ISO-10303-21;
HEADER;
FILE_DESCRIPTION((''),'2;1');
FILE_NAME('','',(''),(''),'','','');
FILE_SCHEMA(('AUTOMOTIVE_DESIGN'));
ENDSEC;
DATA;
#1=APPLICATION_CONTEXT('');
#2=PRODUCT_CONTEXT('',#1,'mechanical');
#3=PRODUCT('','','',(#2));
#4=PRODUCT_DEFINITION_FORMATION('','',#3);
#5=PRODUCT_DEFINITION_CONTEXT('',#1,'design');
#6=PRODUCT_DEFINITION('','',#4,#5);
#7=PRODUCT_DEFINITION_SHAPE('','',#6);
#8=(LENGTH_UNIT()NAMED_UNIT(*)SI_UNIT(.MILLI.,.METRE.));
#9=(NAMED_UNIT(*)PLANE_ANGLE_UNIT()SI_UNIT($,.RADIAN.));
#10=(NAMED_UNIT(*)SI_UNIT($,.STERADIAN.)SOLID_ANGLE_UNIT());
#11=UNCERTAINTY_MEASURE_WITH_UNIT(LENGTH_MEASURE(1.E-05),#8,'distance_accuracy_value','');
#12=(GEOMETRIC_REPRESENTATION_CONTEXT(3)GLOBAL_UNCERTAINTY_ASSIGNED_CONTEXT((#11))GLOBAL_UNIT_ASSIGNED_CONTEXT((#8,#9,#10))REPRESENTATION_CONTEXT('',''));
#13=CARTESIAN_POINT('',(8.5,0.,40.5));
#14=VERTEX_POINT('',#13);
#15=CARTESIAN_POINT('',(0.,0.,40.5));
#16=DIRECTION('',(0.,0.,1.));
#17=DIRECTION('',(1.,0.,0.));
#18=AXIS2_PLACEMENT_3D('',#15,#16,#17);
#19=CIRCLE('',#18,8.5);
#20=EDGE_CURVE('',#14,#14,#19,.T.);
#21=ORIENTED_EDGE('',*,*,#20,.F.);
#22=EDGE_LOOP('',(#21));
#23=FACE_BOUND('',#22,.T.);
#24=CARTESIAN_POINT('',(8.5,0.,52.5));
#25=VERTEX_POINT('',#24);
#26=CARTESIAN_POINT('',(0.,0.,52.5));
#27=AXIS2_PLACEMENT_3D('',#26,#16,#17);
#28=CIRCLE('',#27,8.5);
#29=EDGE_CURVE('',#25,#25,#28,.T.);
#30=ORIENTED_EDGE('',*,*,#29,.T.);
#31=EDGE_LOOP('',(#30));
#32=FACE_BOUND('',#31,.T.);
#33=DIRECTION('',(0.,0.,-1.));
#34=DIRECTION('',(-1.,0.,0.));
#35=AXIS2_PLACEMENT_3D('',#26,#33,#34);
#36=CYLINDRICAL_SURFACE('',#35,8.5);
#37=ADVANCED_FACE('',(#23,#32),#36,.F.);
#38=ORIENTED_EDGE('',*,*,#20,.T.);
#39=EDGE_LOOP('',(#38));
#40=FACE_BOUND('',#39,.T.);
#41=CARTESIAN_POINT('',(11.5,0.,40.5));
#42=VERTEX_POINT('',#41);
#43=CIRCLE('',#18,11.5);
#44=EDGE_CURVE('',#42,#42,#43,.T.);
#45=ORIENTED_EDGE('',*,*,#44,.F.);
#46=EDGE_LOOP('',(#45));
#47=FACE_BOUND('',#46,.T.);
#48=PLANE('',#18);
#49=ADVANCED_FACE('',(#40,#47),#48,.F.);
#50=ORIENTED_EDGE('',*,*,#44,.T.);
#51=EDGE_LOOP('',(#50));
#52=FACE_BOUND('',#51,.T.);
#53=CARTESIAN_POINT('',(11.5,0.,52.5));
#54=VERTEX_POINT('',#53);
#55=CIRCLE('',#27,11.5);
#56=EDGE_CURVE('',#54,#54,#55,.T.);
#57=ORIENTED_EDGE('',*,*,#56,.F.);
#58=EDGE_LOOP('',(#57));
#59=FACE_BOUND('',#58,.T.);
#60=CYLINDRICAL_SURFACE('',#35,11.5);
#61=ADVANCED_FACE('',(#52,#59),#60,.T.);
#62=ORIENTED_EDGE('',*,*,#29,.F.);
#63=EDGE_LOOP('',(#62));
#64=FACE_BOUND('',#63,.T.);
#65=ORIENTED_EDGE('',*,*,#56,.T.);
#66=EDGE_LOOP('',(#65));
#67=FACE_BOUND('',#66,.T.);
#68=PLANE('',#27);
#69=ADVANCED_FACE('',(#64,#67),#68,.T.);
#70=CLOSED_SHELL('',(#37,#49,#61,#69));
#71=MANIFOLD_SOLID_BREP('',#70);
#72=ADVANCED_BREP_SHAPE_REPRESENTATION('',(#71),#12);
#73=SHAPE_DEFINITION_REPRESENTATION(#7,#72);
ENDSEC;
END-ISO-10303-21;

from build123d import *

# Parameters (mm, degrees)
NEEDLE_BEARING_START = 40.5
SKETCH_1_R           = 11.5
SKETCH_1_R_2         = 8.5
NEEDLE_BEARING_DEPTH = 12


with BuildPart() as part:
    # Эскиз1 → Needle_bearing (new body)
    with BuildSketch(Plane.XY.offset(NEEDLE_BEARING_START)):
        Circle(SKETCH_1_R)
        Circle(SKETCH_1_R_2, mode=Mode.SUBTRACT)
    extrude(amount=NEEDLE_BEARING_DEPTH)


solid = part.part
